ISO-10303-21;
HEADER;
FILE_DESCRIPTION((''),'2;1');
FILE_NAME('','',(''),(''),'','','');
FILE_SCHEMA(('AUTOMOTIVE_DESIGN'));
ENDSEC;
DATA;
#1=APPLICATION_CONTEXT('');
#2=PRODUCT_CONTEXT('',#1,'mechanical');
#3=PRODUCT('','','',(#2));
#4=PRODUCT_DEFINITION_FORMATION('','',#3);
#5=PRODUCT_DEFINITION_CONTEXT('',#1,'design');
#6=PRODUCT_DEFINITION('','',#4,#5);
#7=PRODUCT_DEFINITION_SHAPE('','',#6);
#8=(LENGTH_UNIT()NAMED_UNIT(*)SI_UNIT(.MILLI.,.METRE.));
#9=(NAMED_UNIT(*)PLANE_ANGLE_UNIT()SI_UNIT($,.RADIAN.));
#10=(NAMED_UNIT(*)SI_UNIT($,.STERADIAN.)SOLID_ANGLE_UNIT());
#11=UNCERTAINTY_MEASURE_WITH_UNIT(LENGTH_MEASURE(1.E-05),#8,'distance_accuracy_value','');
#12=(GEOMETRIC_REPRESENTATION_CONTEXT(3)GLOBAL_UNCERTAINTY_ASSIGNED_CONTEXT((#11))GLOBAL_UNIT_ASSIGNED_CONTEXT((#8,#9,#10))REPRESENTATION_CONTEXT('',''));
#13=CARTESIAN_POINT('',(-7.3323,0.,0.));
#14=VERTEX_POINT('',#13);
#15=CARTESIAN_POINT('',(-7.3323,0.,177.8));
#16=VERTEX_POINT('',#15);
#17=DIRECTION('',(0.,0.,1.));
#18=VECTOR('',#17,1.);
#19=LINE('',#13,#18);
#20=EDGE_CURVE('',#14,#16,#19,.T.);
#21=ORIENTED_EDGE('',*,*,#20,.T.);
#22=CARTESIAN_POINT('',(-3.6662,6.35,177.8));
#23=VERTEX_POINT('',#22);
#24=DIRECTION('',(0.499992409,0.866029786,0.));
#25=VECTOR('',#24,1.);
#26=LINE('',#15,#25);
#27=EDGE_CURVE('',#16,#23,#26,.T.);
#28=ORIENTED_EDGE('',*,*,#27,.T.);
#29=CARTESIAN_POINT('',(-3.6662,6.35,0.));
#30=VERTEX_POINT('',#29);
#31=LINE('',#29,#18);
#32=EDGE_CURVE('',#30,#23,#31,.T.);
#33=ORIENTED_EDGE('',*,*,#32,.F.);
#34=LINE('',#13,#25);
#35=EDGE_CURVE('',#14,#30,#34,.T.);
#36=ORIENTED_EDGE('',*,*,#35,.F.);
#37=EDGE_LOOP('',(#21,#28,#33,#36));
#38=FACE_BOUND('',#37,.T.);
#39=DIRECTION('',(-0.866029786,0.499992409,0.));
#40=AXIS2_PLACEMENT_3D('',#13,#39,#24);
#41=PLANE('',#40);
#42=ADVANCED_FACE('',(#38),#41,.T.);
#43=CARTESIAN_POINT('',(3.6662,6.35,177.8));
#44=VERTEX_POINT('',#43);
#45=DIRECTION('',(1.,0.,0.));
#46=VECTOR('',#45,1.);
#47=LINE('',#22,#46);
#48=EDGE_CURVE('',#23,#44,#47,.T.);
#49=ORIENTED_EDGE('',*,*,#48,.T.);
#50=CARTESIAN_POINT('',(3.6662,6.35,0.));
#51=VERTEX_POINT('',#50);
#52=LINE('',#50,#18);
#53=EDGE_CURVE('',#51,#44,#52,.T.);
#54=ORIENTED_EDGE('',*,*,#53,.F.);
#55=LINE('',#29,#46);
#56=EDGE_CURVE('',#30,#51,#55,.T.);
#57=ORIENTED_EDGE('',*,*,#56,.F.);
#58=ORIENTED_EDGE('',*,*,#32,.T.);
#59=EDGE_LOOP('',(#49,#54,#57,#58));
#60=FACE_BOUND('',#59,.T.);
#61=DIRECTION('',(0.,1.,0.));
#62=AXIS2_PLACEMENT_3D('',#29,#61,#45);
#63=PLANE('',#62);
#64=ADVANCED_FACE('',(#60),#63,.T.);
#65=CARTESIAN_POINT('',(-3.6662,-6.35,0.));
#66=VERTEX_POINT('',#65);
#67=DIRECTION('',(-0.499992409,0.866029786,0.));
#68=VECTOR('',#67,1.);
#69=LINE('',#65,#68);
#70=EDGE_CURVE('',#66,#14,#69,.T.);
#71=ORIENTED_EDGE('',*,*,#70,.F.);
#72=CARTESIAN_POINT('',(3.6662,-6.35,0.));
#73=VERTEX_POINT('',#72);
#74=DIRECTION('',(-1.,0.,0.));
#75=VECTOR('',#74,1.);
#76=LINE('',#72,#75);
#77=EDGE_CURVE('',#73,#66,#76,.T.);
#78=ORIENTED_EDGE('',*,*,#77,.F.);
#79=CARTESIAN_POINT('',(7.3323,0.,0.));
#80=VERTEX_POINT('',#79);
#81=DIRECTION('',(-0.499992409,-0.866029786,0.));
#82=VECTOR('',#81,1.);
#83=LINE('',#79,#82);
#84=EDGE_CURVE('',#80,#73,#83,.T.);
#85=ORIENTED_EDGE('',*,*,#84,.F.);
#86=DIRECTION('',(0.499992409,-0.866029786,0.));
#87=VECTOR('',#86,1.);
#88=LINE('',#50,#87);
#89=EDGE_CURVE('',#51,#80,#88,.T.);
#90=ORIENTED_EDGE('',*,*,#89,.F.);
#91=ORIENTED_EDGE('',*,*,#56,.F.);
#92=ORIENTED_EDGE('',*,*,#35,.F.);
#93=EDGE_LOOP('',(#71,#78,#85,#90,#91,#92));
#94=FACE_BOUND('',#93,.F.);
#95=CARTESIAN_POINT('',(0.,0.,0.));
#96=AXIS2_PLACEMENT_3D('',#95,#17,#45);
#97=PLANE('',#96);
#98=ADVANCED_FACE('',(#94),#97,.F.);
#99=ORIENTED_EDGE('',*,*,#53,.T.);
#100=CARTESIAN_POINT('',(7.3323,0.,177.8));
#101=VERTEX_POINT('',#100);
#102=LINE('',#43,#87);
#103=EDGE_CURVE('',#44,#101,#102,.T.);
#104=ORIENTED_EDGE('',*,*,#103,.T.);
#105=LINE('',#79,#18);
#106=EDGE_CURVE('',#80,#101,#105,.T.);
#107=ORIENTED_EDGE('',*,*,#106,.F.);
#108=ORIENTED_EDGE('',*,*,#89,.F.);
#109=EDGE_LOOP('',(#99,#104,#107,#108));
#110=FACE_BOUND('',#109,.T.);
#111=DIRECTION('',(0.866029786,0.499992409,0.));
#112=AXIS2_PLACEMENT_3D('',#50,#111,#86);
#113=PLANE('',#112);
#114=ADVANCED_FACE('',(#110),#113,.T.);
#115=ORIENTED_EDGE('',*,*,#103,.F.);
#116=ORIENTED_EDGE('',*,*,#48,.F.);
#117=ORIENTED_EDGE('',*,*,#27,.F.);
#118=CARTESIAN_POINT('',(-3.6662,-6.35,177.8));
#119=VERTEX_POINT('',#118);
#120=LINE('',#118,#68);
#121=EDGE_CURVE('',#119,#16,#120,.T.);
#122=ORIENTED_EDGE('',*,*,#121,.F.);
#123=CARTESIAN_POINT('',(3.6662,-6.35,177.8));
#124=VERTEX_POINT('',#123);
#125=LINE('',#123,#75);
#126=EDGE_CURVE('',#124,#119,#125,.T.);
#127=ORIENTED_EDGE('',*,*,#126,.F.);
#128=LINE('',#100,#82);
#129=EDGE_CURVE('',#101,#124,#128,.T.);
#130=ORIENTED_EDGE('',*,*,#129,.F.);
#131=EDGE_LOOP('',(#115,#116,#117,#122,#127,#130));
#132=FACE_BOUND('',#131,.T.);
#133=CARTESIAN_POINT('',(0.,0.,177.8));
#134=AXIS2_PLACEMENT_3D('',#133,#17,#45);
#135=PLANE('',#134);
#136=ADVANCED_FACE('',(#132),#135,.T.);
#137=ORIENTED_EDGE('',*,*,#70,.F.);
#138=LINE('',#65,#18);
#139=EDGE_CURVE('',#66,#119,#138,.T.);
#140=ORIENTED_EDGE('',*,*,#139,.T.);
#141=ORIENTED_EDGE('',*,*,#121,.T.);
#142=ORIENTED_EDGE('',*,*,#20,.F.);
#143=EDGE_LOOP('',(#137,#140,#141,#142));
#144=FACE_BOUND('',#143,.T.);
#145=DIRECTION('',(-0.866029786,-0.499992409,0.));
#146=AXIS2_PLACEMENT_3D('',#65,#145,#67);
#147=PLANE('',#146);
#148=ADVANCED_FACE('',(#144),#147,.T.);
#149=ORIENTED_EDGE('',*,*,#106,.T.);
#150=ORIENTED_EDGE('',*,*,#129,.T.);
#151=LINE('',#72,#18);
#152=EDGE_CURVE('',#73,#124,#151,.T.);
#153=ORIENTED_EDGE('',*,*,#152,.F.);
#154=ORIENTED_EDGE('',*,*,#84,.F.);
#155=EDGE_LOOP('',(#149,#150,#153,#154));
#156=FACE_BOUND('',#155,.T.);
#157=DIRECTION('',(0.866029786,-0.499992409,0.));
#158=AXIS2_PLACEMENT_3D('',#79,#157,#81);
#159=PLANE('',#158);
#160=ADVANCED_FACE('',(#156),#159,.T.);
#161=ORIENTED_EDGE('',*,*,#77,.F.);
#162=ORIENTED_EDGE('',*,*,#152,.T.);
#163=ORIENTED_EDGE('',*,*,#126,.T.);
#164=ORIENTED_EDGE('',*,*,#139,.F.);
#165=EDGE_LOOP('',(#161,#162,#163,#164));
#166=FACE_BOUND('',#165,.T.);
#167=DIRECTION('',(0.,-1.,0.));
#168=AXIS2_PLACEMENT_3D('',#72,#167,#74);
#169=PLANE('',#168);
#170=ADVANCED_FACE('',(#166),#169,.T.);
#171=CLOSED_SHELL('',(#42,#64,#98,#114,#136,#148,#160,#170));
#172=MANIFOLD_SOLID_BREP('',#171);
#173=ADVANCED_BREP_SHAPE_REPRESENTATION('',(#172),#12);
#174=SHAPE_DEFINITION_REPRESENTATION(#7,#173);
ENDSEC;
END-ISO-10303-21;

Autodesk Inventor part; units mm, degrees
ref_plane "YZ Plane" through (0, 0, 0) normal (1, 0, 0) x (0, 1, 0)
ref_plane "XZ Plane" through (0, 0, 0) normal (0, 1, 0) x (-1, 0, 0)
ref_plane "XY Plane" through (0, 0, 0) normal (0, 0, 1) x (1, 0, 0)
sketch "Sketch1" plane through (0, 0, 0) normal (0, 0, 1) x (1, 0, 0)
  line L0 (3.6662, -6.35) -> (-3.6662, -6.35)
  line L1 (-3.6662, -6.35) -> (-7.3323, 0)
  line L2 (-7.3323, 0) -> (-3.6662, 6.35)
  line L3 (-3.6662, 6.35) -> (3.6662, 6.35)
  line L4 (3.6662, 6.35) -> (7.3323, 0)
  line L5 (7.3323, 0) -> (3.6662, -6.35)
  point P0 (0, 0)
  point P1 (0, 0)
  dimension "d0" = 12.7
extrude "Extrusion1" add sketch "Sketch1" along normal blind 177.8
properties part number "STOCK,HEX,SHAFT,VERTICAL"
